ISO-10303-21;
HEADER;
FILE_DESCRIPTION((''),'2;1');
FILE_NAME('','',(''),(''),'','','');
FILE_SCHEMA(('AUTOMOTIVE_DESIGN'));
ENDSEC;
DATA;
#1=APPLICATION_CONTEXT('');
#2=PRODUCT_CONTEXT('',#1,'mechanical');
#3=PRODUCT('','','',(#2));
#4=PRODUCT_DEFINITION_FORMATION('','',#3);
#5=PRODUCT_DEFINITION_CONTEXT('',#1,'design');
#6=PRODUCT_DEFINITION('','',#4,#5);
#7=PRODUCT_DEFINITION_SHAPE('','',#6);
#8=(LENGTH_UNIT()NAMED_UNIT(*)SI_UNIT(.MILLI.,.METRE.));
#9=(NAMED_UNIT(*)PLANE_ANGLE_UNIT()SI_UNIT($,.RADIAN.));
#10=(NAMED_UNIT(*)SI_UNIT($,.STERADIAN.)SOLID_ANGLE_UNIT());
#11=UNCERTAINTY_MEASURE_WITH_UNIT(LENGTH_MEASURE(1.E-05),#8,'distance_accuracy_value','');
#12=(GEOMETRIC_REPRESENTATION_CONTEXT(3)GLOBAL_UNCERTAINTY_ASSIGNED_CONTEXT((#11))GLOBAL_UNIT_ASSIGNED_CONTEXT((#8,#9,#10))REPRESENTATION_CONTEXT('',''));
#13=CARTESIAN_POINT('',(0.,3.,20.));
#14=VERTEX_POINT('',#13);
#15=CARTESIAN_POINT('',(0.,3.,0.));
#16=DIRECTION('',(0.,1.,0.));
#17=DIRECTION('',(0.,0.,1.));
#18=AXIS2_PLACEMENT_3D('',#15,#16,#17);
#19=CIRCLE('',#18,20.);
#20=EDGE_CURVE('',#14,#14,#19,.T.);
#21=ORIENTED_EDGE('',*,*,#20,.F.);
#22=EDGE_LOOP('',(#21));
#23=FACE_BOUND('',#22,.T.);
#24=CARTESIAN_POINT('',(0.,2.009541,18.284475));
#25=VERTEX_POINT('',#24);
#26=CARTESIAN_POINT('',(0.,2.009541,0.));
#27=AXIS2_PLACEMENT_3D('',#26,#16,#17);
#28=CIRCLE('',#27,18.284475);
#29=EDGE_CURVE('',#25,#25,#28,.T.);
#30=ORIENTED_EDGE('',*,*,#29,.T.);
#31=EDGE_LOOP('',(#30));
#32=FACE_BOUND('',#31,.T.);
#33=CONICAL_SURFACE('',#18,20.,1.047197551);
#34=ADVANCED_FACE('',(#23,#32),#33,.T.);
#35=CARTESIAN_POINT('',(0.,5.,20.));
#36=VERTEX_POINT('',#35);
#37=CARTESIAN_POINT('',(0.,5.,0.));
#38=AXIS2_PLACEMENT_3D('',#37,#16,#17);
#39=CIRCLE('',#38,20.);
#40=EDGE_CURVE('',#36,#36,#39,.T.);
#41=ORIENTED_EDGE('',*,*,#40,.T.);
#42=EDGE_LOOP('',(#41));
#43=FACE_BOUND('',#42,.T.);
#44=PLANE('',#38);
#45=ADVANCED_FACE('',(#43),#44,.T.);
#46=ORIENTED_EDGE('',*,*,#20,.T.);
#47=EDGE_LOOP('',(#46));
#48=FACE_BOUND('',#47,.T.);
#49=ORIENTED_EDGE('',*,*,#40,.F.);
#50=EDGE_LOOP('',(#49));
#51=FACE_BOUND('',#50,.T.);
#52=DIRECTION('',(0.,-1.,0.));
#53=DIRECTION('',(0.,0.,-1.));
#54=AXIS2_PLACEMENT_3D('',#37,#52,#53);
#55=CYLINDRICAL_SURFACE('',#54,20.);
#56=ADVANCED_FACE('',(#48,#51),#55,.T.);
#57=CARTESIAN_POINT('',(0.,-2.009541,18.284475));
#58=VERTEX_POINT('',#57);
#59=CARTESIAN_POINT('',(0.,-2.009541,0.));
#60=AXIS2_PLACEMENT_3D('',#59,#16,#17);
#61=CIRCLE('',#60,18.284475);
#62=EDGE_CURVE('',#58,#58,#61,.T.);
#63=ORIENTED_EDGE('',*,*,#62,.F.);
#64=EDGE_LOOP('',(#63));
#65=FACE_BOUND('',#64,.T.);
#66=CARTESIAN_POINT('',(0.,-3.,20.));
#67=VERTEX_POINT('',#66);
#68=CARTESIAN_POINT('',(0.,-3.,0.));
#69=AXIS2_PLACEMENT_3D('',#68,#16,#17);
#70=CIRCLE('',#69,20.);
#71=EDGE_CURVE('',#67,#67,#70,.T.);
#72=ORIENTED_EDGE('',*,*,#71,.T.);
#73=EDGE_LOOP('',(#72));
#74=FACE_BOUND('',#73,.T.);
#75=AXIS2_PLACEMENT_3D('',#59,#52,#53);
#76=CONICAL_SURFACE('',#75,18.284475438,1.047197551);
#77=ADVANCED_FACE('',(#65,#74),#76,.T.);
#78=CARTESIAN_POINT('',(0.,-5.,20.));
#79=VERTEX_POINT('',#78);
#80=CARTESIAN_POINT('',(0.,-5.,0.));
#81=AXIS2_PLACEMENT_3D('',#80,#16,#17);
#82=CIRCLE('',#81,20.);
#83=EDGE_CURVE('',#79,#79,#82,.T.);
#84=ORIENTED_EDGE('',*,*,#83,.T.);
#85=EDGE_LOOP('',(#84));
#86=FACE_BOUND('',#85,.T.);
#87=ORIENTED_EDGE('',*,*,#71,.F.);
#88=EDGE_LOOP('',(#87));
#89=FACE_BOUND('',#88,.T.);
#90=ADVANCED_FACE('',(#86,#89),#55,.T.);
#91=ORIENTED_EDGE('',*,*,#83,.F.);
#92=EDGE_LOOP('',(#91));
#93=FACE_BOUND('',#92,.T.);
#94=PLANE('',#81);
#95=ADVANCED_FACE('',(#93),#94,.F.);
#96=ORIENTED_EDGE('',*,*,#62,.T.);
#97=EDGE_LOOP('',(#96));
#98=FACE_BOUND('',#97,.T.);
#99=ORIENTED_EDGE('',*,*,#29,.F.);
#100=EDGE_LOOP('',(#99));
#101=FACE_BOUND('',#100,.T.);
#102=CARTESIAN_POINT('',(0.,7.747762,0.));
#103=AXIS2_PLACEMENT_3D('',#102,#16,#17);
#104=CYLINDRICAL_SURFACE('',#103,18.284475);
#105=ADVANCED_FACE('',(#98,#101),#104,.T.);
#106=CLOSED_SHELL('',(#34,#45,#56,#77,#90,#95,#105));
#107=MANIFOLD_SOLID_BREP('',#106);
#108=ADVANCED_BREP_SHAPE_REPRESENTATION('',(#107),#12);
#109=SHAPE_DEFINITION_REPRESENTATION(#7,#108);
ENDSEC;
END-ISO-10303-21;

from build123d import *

# Parameters (mm, degrees)
SKETCH2_R           = 20
BOSS_EXTRUDE1_DEPTH = 5


with BuildPart() as part:
    # Sketch2 → Boss-Extrude1 (new body, symmetric)
    with BuildSketch(Plane(origin=(0, 0, 0), x_dir=(1, 0, 0), z_dir=(0, 1, 0))):
        Circle(SKETCH2_R)
    extrude(amount=BOSS_EXTRUDE1_DEPTH, both=True)

    # Sketch3 → Cut-Revolve1 (revolve, cut)
    with BuildSketch(Plane(origin=(0, 0, 0), x_dir=(0, 0, -1), z_dir=(1, 0, 0))):
        Polygon((20, 3), (18.284475438, 2.009541432), (18.284475438, -2.009541432), (20, -3), align=None)
    revolve(axis=Axis((0, 7.747762259, 0), (0, -1, 0)), mode=Mode.SUBTRACT)


solid = part.part
